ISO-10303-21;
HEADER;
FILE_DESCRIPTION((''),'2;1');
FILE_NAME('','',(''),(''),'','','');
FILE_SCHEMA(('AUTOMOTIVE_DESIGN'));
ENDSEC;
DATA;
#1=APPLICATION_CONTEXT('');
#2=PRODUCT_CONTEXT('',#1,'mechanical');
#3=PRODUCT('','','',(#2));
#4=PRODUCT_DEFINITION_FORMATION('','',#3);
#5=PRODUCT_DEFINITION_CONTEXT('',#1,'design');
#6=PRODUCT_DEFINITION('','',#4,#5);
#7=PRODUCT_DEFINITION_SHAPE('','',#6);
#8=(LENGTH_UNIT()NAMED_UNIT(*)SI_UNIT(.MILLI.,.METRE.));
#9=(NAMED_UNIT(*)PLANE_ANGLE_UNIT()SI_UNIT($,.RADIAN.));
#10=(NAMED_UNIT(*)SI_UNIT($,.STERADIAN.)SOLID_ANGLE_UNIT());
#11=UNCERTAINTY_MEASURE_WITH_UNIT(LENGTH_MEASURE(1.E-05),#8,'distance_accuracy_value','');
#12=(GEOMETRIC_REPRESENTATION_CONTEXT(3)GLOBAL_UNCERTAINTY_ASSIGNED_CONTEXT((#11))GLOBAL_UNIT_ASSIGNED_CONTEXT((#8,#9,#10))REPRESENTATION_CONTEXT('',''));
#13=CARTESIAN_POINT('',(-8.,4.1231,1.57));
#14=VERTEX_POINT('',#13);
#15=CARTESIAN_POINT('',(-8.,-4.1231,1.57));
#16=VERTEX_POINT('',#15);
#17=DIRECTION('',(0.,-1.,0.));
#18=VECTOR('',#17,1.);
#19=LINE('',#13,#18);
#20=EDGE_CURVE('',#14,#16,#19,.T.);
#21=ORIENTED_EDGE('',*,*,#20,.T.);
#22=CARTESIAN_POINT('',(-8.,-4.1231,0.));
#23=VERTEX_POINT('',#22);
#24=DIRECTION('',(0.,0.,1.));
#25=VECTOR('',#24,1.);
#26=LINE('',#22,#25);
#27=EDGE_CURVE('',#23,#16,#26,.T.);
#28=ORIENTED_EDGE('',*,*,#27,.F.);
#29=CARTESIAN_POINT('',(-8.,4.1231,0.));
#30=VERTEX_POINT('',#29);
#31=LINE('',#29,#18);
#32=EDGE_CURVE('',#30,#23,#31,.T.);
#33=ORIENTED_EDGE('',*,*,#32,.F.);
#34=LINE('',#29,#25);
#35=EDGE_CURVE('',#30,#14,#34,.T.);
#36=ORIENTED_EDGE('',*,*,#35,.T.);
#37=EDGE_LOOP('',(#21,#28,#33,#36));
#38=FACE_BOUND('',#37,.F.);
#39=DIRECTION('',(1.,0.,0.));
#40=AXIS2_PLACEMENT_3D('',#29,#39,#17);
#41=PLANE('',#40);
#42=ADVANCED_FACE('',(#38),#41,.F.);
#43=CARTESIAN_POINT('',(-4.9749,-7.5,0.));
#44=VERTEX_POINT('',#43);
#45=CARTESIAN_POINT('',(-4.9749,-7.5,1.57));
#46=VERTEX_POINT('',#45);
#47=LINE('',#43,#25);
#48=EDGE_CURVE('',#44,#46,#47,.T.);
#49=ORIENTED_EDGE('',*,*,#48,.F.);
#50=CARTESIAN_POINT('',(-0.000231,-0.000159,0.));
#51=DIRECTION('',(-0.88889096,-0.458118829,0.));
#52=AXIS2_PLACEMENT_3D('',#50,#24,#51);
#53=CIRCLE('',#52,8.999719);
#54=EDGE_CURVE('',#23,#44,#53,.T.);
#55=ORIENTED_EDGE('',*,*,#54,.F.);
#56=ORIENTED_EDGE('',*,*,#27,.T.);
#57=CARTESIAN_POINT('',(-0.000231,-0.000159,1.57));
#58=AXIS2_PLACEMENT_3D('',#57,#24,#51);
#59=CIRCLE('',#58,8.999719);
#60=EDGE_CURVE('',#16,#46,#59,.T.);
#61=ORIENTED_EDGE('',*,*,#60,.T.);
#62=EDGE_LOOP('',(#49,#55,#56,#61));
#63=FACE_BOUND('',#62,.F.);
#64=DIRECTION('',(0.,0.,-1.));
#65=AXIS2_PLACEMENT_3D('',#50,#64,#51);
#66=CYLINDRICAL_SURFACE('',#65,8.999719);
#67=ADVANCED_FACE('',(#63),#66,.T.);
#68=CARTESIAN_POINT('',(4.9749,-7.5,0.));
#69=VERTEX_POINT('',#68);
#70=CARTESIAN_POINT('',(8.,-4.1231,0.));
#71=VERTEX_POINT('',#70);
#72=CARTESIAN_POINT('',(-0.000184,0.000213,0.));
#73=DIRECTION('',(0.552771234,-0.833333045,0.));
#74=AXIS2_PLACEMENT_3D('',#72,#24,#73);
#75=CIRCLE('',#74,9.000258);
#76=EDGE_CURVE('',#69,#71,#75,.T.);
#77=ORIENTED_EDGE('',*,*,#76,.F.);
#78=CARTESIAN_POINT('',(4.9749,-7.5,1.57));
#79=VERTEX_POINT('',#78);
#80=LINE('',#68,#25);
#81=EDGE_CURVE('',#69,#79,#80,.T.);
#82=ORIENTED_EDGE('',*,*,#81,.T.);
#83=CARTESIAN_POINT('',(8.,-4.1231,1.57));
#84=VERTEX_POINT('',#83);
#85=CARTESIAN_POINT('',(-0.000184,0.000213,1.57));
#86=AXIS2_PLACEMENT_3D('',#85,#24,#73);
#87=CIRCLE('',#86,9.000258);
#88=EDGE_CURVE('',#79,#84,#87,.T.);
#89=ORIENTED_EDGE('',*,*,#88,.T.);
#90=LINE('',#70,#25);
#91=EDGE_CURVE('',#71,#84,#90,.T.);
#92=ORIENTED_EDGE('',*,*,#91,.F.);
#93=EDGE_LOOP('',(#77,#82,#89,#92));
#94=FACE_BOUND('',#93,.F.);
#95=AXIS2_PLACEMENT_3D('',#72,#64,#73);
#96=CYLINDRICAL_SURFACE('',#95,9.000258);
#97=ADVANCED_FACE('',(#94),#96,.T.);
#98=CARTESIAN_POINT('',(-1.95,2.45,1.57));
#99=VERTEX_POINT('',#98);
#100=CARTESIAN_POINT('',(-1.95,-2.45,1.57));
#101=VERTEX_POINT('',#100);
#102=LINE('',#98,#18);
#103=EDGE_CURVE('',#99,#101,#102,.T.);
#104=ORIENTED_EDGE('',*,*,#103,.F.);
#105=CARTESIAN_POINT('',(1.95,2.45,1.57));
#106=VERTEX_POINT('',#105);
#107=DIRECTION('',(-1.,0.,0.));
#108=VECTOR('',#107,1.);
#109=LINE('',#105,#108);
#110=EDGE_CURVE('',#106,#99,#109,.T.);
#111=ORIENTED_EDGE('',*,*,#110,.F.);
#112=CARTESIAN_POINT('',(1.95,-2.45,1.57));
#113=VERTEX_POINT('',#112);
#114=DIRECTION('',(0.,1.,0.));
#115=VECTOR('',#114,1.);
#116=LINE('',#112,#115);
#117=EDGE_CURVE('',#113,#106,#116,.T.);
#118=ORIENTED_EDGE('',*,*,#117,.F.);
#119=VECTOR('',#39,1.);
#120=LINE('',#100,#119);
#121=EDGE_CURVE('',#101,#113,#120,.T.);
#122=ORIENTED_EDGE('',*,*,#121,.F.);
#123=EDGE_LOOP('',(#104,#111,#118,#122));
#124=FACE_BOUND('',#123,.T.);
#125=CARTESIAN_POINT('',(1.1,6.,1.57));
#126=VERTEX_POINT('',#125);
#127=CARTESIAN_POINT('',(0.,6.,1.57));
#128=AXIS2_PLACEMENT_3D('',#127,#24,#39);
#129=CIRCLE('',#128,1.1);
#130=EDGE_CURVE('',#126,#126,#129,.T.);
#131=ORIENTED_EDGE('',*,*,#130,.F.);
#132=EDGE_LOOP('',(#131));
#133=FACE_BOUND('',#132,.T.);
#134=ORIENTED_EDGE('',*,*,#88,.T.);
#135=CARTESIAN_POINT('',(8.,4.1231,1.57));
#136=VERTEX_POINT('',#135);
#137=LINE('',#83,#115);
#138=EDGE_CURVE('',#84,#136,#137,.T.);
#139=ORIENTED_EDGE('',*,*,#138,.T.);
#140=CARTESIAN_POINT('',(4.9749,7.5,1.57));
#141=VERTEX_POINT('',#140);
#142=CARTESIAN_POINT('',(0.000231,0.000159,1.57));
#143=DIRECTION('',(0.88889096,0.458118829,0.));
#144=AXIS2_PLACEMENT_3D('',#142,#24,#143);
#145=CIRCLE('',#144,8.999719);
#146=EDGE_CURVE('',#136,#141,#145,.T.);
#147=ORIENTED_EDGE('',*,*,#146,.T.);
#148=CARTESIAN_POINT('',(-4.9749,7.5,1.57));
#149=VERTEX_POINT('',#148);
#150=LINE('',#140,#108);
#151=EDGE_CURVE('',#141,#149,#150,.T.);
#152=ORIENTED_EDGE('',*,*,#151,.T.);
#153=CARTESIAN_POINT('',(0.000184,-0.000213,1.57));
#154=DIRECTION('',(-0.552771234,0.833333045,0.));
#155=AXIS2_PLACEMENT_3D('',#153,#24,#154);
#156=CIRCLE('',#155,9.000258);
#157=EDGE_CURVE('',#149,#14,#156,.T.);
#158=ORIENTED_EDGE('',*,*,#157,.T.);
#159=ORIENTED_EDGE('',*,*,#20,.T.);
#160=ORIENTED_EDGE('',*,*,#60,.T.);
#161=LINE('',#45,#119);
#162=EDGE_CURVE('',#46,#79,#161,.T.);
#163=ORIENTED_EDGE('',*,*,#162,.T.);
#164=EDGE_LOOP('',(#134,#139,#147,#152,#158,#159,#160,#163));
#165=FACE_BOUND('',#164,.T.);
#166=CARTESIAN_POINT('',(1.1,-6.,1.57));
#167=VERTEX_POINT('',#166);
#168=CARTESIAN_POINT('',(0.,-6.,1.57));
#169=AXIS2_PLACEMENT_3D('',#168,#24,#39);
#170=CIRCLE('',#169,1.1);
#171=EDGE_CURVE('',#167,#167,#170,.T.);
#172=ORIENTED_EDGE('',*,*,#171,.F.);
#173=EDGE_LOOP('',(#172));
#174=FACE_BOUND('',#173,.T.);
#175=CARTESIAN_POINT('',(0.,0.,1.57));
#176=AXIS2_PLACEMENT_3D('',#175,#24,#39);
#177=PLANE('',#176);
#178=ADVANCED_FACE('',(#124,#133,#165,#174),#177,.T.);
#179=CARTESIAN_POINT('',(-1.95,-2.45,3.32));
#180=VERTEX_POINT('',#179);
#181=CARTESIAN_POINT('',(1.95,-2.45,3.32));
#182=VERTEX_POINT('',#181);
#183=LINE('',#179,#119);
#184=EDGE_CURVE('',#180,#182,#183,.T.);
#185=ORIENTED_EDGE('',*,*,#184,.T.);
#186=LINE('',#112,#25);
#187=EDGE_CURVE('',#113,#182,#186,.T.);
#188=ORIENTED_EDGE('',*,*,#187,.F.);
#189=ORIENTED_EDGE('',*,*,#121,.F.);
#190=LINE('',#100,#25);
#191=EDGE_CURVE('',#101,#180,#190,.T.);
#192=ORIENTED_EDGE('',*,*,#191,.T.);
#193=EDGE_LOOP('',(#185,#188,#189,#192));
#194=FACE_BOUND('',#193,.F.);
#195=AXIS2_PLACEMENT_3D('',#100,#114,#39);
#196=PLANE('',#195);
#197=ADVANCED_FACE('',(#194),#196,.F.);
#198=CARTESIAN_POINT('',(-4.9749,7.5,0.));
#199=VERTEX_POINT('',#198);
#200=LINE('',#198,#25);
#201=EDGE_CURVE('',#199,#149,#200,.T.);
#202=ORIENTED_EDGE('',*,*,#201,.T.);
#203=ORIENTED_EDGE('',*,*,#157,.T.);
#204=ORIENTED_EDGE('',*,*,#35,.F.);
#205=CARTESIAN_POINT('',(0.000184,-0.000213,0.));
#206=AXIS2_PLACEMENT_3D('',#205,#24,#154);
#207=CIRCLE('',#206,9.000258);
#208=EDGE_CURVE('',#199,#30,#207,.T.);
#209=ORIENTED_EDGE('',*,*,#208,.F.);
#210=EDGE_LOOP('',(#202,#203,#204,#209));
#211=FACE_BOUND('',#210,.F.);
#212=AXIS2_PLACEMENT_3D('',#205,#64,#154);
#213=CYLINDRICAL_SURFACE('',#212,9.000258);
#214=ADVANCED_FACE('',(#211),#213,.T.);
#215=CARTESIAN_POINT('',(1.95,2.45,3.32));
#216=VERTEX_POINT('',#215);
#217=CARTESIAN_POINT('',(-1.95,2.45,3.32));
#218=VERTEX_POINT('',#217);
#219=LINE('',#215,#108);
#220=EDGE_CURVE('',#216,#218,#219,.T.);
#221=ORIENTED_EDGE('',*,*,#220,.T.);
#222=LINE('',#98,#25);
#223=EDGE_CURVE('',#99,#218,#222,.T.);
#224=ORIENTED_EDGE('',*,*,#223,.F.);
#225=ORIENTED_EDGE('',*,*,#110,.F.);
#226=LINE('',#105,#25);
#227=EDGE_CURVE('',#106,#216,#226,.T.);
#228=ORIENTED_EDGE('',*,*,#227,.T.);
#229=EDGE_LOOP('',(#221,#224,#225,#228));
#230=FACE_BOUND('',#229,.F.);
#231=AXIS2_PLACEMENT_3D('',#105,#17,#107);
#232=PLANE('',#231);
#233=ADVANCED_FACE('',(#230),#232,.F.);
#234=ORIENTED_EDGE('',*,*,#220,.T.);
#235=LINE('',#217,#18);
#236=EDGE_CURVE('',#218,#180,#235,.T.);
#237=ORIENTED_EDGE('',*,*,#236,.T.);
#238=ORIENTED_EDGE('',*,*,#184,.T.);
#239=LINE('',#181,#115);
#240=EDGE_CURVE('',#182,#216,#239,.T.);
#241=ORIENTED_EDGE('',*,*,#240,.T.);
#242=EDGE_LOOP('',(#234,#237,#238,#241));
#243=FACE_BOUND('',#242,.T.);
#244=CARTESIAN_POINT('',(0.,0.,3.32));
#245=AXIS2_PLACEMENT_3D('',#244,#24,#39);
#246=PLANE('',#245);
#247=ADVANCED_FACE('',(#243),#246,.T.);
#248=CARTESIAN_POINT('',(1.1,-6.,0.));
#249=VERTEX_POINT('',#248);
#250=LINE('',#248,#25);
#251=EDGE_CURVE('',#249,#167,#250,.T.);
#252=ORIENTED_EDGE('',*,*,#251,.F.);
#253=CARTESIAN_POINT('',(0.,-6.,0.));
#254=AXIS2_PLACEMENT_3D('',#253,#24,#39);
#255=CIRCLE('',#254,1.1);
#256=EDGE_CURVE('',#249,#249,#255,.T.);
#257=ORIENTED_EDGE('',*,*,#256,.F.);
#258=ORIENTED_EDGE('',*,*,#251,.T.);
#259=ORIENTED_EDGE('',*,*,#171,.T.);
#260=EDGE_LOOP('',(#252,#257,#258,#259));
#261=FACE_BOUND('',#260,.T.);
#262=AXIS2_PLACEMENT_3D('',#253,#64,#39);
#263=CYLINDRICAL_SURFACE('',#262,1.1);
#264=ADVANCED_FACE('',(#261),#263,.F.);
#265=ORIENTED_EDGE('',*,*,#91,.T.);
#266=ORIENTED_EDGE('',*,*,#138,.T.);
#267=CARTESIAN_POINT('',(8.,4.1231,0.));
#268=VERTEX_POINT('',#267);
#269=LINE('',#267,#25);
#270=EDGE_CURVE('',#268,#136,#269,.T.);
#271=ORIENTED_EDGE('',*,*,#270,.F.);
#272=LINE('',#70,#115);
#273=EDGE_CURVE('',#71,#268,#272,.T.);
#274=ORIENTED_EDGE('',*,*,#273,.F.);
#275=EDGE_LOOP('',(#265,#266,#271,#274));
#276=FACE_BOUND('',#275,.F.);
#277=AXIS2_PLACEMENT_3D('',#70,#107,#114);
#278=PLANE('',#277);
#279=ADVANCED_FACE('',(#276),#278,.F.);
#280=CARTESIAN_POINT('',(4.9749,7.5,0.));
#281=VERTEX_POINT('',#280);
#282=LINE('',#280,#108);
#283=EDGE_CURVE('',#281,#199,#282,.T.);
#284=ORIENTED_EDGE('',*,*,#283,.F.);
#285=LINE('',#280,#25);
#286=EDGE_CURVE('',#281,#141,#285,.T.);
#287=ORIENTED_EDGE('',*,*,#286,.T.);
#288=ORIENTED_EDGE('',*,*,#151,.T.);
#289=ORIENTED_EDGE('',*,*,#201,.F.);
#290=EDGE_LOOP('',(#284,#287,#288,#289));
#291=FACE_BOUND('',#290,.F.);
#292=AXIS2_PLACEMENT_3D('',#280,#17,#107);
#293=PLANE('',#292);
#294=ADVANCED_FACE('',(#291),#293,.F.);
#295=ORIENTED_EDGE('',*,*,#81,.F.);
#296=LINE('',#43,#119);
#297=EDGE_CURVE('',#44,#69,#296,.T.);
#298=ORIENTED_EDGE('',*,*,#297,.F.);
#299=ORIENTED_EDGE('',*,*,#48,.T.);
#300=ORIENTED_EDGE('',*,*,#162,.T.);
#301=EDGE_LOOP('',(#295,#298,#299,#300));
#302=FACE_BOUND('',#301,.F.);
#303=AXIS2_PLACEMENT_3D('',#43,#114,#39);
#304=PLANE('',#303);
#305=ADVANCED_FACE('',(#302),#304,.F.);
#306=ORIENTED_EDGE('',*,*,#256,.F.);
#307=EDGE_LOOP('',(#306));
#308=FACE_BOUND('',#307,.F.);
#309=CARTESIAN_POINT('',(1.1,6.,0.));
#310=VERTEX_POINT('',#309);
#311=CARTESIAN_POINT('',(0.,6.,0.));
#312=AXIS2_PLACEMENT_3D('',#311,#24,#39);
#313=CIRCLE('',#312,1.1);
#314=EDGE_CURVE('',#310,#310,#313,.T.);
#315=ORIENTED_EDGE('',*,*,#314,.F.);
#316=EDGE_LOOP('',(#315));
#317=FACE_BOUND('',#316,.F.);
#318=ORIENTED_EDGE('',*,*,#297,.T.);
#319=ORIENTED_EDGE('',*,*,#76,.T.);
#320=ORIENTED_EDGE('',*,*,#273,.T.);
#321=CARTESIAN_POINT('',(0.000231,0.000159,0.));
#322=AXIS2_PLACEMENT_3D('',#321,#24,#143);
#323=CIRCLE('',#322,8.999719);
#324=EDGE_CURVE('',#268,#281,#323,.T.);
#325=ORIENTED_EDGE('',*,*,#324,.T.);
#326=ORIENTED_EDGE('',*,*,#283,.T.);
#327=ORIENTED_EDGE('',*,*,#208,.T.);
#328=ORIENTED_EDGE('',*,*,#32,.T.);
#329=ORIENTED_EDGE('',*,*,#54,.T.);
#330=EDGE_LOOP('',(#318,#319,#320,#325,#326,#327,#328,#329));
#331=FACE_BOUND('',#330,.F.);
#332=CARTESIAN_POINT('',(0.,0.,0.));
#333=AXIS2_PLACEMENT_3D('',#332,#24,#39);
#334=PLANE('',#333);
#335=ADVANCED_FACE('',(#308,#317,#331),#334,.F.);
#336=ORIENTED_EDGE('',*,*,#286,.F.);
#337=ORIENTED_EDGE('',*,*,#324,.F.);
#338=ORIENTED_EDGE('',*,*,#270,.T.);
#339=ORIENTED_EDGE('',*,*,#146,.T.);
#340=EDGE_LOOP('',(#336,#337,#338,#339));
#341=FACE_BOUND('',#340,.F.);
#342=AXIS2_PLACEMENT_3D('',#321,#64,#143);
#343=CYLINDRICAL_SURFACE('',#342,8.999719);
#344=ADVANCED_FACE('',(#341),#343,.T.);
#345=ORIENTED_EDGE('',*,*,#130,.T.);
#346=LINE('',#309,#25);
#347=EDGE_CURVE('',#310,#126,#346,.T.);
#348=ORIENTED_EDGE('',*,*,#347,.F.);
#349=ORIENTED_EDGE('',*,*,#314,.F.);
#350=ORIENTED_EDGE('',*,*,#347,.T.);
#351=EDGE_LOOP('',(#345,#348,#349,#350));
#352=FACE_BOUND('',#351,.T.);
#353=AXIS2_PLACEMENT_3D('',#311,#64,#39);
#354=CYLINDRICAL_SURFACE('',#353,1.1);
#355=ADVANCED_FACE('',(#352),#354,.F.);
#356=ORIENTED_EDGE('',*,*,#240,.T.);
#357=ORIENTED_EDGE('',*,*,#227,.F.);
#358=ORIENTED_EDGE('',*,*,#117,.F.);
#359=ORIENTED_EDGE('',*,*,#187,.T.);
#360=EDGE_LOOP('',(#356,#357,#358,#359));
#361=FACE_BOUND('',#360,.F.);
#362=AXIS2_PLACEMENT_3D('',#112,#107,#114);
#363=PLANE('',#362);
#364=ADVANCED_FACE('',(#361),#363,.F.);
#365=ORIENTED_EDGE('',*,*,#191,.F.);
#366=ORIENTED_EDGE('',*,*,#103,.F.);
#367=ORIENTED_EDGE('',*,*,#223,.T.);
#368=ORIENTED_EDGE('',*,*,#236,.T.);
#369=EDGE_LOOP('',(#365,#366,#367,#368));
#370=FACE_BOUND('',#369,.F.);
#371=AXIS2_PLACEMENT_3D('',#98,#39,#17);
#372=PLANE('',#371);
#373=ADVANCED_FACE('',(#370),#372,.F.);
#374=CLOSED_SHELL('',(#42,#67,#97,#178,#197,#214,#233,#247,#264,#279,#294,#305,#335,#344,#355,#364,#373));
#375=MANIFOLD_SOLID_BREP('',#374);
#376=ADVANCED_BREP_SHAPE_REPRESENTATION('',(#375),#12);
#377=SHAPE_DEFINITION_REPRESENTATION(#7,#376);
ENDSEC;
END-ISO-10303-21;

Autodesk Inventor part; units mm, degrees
ref_plane "YZ Plane" through (0, 0, 0) normal (1, 0, 0) x (0, 1, 0)
ref_plane "XZ Plane" through (0, 0, 0) normal (0, 1, 0) x (-1, 0, 0)
ref_plane "XY Plane" through (0, 0, 0) normal (0, 0, 1) x (1, 0, 0)
sketch "Sketch1" plane through (0, 0, 0) normal (0, 0, 1) x (1, 0, 0)
  line L0 (8, 7.5) -> (4.9749, 7.5) construction
  line L1 (-8, 7.5) -> (-8, 4.1231) construction
  line L2 (-8, -7.5) -> (-4.9749, -7.5) construction
  line L3 (8, -7.5) -> (8, -4.1231) construction
  arc A0 (8, 4.1231) -> (4.9749, 7.5) centre (0, 0) ccw
  arc A1 (8, -4.1231) -> (8, 4.1231) centre (0, 0) ccw construction
  arc A2 (-4.9749, 7.5) -> (-8, 4.1231) centre (0, 0) ccw
  arc A3 (-4.9749, -7.5) -> (4.9749, -7.5) centre (0, 0) ccw construction
  arc A4 (4.9749, -7.5) -> (8, -4.1231) centre (0, 0) ccw
  line L4 (4.9749, -7.5) -> (8, -7.5) construction
  line L5 (-4.9749, -7.5) -> (4.9749, -7.5)
  line L6 (-8, -4.1231) -> (-8, -7.5) construction
  line L7 (8, 4.1231) -> (8, 7.5) construction
  line L8 (8, -4.1231) -> (8, 4.1231)
  line L9 (-8, 4.1231) -> (-8, -4.1231)
  line L10 (-4.9749, 7.5) -> (-8, 7.5) construction
  arc A5 (4.9749, 7.5) -> (-4.9749, 7.5) centre (0, 0) ccw construction
  arc A6 (-8, 4.1231) -> (-8, -4.1231) centre (0, 0) ccw construction
  arc A7 (-8, -4.1231) -> (-4.9749, -7.5) centre (0, 0) ccw
  line L11 (4.9749, 7.5) -> (-4.9749, 7.5)
  circle A8 centre (0, -6) radius 1.1
  circle A9 centre (0, 6) radius 1.1
  dimension "d3" = 15
  dimension "d4" = 16
  dimension "d6" = 7.5
  dimension "d7" = 8
  dimension "d8" = 18
  dimension "d9" = 6
  dimension "d10" = 2.2
  dimension "d11" = 2.2
  dimension "d12" = 6
extrude "Extrusion1" add sketch "Sketch1" along normal blind 1.57
sketch "Sketch2" plane through (0, 0, 1.57) normal (0, 0, 1) x (1, 0, 0)
  line L0 (1.95, 2.45) -> (-1.95, 2.45)
  line L1 (-1.95, 2.45) -> (-1.95, -2.45)
  line L2 (-1.95, -2.45) -> (1.95, -2.45)
  line L3 (1.95, -2.45) -> (1.95, 2.45)
  point P0 (0, 0)
  dimension "d15" = 4.9
  dimension "d16" = 3.9
  dimension "d17" = 1.95
  dimension "d18" = 2.45
extrude "Extrusion2" add sketch "Sketch2" along normal blind 1.75
sketch "Sketch3" plane through (0, 0, 3.32) normal (0, 0, 1) x (1, 0, 0)
  circle A0 centre (0, 0) radius 1.4142
  dimension "d21" = 2.8284
properties part number "AS5600"
